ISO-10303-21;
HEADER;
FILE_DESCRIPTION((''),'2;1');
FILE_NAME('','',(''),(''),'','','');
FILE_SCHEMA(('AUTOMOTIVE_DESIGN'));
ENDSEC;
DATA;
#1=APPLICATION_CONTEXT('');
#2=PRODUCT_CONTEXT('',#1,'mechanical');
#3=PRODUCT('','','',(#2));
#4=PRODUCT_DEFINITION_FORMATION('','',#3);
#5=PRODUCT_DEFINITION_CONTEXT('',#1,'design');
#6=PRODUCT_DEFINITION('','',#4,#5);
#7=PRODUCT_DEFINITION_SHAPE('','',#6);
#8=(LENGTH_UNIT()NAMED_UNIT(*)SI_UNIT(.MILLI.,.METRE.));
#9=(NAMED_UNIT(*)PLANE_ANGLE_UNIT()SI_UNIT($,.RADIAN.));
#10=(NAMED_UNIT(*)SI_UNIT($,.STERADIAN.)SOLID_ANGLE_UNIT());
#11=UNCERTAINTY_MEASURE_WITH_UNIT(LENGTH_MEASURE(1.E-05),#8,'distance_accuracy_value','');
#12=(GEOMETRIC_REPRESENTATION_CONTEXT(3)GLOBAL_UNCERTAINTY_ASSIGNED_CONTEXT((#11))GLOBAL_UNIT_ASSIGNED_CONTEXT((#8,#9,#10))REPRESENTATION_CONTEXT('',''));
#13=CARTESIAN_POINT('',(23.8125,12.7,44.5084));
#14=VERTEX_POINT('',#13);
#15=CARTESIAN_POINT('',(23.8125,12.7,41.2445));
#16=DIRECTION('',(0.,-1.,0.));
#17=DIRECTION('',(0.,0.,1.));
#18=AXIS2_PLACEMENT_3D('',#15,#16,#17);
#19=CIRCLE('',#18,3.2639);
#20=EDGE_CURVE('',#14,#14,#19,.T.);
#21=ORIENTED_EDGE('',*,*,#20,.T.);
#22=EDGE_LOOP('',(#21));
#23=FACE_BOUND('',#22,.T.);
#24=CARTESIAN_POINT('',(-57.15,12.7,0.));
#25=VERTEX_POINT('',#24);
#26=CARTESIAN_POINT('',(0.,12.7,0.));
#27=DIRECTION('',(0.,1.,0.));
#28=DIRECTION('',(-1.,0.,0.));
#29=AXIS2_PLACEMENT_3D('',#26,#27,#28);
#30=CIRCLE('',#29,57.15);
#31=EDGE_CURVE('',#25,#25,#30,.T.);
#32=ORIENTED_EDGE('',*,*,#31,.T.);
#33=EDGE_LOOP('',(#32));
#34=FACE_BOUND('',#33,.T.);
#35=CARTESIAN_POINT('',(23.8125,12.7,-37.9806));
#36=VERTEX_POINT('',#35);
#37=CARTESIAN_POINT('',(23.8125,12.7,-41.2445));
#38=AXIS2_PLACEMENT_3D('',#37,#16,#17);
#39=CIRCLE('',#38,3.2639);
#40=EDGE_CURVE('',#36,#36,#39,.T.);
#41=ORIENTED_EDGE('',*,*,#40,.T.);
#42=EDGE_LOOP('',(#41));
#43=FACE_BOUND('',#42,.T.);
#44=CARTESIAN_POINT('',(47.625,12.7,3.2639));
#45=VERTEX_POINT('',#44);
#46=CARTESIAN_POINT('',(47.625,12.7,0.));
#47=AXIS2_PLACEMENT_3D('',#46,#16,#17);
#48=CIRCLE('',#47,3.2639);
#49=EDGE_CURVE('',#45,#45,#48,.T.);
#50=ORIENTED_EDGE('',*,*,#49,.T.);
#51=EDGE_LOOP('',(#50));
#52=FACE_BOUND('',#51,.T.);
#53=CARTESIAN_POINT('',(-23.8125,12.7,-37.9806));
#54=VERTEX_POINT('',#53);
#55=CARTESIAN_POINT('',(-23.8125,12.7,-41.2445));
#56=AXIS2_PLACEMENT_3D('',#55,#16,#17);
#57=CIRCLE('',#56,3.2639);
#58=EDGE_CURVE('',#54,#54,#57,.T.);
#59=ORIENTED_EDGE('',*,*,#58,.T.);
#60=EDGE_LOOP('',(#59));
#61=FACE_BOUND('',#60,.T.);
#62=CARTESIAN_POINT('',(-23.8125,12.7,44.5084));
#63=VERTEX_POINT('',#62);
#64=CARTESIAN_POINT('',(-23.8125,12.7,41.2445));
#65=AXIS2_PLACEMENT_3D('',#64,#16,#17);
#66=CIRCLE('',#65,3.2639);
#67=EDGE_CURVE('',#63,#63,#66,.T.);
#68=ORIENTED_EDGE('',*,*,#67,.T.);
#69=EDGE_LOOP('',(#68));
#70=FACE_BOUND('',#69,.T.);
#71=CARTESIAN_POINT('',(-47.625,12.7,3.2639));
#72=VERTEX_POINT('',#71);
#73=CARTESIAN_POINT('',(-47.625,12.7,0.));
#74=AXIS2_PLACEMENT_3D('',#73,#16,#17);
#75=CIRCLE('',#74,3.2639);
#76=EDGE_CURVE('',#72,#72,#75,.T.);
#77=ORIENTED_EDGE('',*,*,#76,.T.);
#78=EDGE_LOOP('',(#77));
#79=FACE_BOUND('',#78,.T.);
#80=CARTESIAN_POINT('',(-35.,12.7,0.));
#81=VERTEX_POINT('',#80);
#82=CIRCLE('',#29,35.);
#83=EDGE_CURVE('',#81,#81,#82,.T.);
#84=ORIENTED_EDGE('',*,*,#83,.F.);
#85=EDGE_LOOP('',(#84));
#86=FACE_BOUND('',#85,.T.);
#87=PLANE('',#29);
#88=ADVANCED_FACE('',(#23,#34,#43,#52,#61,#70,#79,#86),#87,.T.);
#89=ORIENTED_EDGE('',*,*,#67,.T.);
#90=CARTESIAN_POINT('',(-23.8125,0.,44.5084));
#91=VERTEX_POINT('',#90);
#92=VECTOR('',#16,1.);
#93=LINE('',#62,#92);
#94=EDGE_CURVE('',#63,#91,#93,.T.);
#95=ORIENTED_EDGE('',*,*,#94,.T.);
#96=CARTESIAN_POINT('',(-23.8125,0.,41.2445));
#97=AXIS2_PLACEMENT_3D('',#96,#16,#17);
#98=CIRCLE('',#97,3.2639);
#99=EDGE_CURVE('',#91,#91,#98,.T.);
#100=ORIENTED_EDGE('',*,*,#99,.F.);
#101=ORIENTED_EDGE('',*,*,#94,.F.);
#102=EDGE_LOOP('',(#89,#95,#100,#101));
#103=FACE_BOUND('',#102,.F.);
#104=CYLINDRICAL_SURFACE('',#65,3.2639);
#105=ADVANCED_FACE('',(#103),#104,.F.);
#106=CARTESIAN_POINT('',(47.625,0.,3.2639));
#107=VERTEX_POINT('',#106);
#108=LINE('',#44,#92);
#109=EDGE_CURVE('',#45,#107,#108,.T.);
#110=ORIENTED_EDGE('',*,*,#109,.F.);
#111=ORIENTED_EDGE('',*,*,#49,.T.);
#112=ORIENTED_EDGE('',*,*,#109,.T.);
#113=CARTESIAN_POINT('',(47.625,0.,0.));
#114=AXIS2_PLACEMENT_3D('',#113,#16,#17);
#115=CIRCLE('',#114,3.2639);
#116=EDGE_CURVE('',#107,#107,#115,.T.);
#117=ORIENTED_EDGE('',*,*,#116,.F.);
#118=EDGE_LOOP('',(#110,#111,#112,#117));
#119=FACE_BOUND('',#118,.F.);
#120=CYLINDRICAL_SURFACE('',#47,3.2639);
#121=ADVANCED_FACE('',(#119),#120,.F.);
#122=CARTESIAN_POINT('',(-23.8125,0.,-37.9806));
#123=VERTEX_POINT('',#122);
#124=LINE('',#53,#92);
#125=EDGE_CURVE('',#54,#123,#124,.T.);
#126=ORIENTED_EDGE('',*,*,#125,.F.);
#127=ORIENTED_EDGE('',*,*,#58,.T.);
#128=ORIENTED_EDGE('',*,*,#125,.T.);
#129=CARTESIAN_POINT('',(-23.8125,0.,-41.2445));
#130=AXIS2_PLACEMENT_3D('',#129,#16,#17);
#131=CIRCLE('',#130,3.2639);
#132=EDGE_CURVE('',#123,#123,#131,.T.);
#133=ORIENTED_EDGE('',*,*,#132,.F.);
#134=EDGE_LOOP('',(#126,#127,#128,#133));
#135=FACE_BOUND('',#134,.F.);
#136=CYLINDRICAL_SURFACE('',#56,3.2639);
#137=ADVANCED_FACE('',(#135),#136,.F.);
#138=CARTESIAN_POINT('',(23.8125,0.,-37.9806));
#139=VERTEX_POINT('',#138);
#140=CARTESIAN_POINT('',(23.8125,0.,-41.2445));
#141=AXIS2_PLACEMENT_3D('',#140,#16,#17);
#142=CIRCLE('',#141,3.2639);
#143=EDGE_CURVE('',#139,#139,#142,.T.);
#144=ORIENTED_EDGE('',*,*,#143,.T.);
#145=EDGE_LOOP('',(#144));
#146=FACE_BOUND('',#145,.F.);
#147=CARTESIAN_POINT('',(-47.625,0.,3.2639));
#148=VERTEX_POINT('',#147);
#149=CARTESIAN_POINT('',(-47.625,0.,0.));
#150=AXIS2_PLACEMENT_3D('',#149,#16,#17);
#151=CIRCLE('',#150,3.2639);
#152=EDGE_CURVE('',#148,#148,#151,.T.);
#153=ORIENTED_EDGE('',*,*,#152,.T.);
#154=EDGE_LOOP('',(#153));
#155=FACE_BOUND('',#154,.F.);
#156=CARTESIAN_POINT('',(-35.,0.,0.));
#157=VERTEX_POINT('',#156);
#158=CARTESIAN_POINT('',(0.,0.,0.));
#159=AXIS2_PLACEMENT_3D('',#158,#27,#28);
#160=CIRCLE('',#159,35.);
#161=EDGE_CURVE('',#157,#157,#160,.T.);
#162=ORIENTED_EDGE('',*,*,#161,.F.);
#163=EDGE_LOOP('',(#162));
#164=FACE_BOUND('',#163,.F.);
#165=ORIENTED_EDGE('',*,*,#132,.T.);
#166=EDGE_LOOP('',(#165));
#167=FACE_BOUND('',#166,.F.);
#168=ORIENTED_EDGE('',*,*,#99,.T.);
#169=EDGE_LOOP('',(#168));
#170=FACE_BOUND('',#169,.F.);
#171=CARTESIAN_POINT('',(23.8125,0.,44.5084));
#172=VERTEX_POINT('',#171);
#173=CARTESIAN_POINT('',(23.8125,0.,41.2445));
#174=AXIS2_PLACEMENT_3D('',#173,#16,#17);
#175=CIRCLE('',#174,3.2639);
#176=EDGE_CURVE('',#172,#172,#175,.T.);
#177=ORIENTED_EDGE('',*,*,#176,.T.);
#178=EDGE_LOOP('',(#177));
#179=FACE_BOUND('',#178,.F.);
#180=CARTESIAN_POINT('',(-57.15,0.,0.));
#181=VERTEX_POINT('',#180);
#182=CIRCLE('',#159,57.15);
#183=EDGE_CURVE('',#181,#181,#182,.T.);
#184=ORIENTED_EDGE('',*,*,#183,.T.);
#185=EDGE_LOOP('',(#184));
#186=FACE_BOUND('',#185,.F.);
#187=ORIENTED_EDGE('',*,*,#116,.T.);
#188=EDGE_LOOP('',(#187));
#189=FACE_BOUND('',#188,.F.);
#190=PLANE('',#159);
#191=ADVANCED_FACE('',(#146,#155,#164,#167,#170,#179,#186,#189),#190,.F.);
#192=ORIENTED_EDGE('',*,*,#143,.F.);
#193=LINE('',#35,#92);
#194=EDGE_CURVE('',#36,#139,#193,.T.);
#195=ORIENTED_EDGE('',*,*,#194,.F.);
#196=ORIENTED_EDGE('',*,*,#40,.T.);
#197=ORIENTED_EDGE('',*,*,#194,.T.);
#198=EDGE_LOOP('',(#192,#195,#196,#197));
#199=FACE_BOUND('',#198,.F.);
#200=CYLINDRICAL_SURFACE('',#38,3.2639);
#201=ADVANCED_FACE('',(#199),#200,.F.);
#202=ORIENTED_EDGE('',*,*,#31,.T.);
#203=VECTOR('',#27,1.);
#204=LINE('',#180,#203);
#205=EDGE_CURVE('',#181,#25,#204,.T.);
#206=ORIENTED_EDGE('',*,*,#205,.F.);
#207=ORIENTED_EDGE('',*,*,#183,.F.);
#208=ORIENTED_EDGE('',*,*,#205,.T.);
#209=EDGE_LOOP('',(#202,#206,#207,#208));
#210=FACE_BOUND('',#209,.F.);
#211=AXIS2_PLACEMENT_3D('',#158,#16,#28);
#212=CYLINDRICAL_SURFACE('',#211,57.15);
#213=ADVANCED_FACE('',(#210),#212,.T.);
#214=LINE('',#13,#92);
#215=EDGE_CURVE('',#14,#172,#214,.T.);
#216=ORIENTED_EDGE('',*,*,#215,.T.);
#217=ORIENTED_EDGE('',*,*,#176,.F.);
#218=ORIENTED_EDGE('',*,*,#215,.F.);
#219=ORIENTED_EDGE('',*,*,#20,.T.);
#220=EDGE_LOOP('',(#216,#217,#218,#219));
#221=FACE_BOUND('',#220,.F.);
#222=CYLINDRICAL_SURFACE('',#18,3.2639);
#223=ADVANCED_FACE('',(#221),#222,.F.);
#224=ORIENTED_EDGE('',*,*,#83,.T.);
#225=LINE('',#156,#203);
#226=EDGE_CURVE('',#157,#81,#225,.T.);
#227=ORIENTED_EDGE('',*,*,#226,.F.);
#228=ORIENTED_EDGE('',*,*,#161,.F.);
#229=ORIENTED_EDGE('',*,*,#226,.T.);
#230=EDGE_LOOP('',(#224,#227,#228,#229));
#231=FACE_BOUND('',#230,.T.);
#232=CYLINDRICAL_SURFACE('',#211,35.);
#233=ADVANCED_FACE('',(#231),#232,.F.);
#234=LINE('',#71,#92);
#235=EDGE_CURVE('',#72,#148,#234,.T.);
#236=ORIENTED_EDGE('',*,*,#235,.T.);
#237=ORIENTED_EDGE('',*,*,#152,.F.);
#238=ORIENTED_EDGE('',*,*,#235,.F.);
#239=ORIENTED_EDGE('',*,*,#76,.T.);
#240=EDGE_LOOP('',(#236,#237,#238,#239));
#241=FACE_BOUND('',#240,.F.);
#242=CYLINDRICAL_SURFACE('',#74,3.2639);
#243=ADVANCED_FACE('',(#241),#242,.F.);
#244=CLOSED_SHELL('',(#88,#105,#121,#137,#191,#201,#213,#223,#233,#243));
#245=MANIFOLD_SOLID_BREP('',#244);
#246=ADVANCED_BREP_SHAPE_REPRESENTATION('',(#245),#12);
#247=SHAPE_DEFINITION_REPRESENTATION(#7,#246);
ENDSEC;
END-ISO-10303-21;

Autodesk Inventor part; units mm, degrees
ref_plane "YZ Plane" through (0, 0, 0) normal (1, 0, 0) x (0, 1, 0)
ref_plane "XZ Plane" through (0, 0, 0) normal (0, 1, 0) x (-1, 0, 0)
ref_plane "XY Plane" through (0, 0, 0) normal (0, 0, 1) x (1, 0, 0)
sketch "Sketch1" plane through (0, 0, 0) normal (0, 1, 0) x (-1, 0, 0)
  circle A0 centre (0, 0) radius 35
  circle A1 centre (0, 0) radius 57.15
  dimension "d0" = 114.3
  dimension "d1" = 70
extrude "Extrusion1" add sketch "Sketch1" along normal blind 12.7
sketch "Sketch2" plane through (0, 12.7, 0) normal (0, 1, 0) x (1, 0, 0)
  circle A0 centre (0, 0) radius 57.15 projected
  line L0 (-57.15, 0) -> (-47.625, 0)
  point P0 (-23.8125, 41.2445)
  point P1 (23.8125, 41.2445)
  point P2 (47.625, 0)
  point P3 (23.8125, -41.2445)
  point P4 (-23.8125, -41.2445)
  dimension "d4" = 9.525
  dimension "d7" = 360
hole "Hole1" at (-47.625, 12.7, 0) at (-23.8125, 12.7, -41.2445) at (23.8125, 12.7, -41.2445) at (47.625, 12.7, 0) at (23.8125, 12.7, 41.2445) at (-23.8125, 12.7, 41.2445) direction (0, -1, 0) diameter 6.5278 end through all clearance for "Socket Head Cap Screw" size "1/4" standard "Ansi Unified Screw Threads"
properties part number "BearingRing" material "Aluminum 6061"
